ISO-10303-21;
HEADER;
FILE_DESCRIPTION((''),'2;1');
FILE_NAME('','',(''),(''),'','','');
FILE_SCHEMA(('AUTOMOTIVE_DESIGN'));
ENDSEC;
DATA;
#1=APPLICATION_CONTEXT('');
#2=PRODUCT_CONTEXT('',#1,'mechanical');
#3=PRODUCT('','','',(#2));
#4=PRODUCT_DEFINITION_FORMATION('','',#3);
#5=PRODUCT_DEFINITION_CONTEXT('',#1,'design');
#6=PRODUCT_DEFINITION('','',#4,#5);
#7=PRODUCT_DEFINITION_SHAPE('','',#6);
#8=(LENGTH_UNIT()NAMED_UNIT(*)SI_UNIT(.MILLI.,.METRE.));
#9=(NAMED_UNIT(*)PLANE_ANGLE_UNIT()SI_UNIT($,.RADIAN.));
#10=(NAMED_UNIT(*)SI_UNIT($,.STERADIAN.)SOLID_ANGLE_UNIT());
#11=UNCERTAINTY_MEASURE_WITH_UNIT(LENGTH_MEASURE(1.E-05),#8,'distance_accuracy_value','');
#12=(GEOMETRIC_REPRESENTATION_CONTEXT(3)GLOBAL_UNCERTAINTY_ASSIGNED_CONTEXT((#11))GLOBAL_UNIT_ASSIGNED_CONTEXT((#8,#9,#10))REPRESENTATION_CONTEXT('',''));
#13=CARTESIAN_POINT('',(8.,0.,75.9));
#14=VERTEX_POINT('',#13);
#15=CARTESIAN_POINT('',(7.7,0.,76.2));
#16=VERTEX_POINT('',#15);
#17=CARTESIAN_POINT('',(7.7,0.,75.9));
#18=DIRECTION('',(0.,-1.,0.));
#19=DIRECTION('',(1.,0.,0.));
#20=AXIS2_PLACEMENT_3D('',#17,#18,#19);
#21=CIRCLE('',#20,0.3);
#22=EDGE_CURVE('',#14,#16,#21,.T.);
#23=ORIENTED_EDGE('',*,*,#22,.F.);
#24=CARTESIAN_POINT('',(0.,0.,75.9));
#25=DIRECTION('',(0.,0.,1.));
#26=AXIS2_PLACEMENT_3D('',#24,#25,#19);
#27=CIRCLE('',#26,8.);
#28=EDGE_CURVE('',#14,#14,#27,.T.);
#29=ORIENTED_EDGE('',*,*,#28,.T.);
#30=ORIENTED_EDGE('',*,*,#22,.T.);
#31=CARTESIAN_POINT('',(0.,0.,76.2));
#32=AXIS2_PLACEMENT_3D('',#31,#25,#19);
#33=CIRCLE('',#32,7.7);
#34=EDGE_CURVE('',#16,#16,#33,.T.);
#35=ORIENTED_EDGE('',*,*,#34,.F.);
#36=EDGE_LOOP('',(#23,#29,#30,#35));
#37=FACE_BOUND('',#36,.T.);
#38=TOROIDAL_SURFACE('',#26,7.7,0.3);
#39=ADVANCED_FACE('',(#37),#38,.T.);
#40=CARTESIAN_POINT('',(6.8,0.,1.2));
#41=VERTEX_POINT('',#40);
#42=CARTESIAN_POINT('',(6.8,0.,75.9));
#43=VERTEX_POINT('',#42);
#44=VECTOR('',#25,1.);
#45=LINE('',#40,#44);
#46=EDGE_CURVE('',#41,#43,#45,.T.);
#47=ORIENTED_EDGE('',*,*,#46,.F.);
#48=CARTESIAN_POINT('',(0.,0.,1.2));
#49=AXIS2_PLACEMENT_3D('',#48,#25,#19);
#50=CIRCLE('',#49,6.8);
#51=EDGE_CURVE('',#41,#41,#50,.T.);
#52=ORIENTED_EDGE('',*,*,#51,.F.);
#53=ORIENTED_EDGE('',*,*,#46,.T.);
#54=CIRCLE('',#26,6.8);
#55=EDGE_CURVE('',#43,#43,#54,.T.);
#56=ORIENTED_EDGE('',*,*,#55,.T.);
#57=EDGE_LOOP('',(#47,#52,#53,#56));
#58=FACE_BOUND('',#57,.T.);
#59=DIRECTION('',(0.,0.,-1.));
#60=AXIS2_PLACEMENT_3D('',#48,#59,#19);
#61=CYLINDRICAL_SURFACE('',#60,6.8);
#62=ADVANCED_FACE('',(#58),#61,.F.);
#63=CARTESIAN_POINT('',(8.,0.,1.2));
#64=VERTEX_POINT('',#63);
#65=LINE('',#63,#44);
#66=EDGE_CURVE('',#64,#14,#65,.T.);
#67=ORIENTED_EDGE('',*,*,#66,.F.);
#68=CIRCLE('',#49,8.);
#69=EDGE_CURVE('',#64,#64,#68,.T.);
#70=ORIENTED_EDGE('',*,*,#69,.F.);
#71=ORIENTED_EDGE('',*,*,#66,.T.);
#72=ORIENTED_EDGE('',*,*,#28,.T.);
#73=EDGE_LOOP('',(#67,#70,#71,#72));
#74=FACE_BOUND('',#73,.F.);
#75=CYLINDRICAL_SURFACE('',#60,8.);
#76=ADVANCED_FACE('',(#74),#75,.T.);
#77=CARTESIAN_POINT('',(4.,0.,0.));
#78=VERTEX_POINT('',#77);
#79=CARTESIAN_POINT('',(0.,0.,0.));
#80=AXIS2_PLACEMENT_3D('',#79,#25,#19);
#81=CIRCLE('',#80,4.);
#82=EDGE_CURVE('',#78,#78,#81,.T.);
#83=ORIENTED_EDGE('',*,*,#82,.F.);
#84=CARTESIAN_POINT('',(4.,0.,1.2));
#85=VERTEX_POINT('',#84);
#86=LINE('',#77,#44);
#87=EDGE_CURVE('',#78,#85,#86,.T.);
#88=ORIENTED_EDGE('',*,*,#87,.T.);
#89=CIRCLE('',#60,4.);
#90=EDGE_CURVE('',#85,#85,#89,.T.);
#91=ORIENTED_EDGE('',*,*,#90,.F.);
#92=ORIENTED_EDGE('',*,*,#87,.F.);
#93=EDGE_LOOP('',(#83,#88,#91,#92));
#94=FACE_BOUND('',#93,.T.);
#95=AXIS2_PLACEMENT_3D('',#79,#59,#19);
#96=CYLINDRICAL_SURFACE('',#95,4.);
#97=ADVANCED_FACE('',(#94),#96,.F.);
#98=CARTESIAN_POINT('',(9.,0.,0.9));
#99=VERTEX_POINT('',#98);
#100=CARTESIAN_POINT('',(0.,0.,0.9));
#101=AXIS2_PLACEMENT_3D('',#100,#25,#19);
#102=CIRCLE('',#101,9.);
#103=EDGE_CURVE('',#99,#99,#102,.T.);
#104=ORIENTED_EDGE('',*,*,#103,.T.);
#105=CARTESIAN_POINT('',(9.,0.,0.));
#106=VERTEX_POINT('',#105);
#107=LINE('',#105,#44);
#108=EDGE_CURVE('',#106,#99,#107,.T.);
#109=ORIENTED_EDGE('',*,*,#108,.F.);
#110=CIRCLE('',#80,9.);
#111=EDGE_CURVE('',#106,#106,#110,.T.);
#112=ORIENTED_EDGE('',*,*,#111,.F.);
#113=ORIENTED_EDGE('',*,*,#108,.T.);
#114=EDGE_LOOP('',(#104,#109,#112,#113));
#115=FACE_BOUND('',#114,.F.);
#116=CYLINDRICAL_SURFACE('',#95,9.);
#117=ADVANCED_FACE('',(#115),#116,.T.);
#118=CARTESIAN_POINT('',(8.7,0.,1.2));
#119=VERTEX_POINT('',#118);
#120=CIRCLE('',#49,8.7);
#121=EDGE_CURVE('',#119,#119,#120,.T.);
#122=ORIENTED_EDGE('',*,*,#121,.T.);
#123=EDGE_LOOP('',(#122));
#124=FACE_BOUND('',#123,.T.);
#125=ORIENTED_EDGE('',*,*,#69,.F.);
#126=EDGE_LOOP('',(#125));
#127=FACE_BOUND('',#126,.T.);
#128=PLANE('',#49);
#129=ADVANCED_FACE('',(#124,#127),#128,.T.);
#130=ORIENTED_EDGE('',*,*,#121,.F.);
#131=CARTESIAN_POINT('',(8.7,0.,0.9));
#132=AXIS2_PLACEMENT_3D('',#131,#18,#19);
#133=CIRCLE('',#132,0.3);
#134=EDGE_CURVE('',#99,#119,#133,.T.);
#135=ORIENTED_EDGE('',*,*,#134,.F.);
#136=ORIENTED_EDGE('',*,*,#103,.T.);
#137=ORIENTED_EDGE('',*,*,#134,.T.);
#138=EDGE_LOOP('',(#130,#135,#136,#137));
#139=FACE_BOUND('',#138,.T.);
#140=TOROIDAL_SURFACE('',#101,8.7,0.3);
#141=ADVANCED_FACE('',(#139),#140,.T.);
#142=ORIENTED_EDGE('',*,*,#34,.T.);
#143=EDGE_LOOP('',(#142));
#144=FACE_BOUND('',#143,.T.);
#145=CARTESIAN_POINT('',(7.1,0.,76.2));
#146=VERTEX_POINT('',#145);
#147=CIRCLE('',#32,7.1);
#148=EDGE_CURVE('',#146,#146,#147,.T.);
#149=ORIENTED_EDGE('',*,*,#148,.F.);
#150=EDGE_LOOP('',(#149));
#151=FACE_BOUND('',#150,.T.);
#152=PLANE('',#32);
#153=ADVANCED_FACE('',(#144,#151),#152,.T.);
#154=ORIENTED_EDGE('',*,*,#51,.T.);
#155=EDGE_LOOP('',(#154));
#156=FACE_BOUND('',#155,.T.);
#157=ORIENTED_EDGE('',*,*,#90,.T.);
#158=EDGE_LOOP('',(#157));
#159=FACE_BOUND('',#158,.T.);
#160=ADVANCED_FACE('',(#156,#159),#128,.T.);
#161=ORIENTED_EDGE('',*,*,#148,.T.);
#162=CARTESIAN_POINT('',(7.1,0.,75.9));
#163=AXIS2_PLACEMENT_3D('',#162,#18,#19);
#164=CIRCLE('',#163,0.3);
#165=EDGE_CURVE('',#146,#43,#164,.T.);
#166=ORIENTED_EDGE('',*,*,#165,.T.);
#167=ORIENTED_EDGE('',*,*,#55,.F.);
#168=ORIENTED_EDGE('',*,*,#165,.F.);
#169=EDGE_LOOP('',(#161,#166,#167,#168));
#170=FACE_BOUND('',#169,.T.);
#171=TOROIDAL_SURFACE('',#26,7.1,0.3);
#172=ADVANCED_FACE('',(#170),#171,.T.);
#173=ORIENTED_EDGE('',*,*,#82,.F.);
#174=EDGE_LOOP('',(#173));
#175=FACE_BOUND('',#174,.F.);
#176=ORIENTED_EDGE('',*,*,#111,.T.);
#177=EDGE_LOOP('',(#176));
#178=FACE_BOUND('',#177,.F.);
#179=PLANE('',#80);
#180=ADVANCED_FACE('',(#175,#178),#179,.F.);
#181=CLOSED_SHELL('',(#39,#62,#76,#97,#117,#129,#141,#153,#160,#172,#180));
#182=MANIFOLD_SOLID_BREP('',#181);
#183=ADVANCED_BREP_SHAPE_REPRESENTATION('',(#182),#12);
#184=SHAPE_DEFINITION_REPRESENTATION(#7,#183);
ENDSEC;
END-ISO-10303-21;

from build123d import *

# Parameters (mm, degrees)
CYLINDER_R        = 9
CYLINDER_DEPTH    = 1.2
CYLINDER001_R     = 8
CYLINDER001_DEPTH = 75
CYLINDER002_R     = 4
CYLINDER002_DEPTH = 76.2
CYLINDER003_R     = 6.8
CYLINDER003_DEPTH = 75
FILLET_R          = 0.3


with BuildPart() as part:
    # Cylinder → Cylinder (join)
    with BuildSketch(Plane.XY):
        Circle(CYLINDER_R)
    extrude(amount=CYLINDER_DEPTH)

    # Cylinder001 → Cylinder001 (join)
    with BuildSketch(Plane.XY.offset(1.2)):
        Circle(CYLINDER001_R)
    extrude(amount=CYLINDER001_DEPTH)

    # Cylinder002 → Cylinder002 (cut)
    with BuildSketch(Plane.XY):
        Circle(CYLINDER002_R)
    extrude(amount=CYLINDER002_DEPTH, mode=Mode.SUBTRACT)

    # Cylinder003 → Cylinder003 (cut)
    with BuildSketch(Plane.XY.offset(1.2)):
        Circle(CYLINDER003_R)
    extrude(amount=CYLINDER003_DEPTH, mode=Mode.SUBTRACT)

    # Fillet
    fillet_edges = [part.edges().sort_by_distance(p)[0] for p in [
        (-9, 0, 1.2),
        (-8, 0, 76.2),
        (-6.8, 0, 76.2),
    ]]
    fillet(fillet_edges, radius=FILLET_R)


solid = part.part
